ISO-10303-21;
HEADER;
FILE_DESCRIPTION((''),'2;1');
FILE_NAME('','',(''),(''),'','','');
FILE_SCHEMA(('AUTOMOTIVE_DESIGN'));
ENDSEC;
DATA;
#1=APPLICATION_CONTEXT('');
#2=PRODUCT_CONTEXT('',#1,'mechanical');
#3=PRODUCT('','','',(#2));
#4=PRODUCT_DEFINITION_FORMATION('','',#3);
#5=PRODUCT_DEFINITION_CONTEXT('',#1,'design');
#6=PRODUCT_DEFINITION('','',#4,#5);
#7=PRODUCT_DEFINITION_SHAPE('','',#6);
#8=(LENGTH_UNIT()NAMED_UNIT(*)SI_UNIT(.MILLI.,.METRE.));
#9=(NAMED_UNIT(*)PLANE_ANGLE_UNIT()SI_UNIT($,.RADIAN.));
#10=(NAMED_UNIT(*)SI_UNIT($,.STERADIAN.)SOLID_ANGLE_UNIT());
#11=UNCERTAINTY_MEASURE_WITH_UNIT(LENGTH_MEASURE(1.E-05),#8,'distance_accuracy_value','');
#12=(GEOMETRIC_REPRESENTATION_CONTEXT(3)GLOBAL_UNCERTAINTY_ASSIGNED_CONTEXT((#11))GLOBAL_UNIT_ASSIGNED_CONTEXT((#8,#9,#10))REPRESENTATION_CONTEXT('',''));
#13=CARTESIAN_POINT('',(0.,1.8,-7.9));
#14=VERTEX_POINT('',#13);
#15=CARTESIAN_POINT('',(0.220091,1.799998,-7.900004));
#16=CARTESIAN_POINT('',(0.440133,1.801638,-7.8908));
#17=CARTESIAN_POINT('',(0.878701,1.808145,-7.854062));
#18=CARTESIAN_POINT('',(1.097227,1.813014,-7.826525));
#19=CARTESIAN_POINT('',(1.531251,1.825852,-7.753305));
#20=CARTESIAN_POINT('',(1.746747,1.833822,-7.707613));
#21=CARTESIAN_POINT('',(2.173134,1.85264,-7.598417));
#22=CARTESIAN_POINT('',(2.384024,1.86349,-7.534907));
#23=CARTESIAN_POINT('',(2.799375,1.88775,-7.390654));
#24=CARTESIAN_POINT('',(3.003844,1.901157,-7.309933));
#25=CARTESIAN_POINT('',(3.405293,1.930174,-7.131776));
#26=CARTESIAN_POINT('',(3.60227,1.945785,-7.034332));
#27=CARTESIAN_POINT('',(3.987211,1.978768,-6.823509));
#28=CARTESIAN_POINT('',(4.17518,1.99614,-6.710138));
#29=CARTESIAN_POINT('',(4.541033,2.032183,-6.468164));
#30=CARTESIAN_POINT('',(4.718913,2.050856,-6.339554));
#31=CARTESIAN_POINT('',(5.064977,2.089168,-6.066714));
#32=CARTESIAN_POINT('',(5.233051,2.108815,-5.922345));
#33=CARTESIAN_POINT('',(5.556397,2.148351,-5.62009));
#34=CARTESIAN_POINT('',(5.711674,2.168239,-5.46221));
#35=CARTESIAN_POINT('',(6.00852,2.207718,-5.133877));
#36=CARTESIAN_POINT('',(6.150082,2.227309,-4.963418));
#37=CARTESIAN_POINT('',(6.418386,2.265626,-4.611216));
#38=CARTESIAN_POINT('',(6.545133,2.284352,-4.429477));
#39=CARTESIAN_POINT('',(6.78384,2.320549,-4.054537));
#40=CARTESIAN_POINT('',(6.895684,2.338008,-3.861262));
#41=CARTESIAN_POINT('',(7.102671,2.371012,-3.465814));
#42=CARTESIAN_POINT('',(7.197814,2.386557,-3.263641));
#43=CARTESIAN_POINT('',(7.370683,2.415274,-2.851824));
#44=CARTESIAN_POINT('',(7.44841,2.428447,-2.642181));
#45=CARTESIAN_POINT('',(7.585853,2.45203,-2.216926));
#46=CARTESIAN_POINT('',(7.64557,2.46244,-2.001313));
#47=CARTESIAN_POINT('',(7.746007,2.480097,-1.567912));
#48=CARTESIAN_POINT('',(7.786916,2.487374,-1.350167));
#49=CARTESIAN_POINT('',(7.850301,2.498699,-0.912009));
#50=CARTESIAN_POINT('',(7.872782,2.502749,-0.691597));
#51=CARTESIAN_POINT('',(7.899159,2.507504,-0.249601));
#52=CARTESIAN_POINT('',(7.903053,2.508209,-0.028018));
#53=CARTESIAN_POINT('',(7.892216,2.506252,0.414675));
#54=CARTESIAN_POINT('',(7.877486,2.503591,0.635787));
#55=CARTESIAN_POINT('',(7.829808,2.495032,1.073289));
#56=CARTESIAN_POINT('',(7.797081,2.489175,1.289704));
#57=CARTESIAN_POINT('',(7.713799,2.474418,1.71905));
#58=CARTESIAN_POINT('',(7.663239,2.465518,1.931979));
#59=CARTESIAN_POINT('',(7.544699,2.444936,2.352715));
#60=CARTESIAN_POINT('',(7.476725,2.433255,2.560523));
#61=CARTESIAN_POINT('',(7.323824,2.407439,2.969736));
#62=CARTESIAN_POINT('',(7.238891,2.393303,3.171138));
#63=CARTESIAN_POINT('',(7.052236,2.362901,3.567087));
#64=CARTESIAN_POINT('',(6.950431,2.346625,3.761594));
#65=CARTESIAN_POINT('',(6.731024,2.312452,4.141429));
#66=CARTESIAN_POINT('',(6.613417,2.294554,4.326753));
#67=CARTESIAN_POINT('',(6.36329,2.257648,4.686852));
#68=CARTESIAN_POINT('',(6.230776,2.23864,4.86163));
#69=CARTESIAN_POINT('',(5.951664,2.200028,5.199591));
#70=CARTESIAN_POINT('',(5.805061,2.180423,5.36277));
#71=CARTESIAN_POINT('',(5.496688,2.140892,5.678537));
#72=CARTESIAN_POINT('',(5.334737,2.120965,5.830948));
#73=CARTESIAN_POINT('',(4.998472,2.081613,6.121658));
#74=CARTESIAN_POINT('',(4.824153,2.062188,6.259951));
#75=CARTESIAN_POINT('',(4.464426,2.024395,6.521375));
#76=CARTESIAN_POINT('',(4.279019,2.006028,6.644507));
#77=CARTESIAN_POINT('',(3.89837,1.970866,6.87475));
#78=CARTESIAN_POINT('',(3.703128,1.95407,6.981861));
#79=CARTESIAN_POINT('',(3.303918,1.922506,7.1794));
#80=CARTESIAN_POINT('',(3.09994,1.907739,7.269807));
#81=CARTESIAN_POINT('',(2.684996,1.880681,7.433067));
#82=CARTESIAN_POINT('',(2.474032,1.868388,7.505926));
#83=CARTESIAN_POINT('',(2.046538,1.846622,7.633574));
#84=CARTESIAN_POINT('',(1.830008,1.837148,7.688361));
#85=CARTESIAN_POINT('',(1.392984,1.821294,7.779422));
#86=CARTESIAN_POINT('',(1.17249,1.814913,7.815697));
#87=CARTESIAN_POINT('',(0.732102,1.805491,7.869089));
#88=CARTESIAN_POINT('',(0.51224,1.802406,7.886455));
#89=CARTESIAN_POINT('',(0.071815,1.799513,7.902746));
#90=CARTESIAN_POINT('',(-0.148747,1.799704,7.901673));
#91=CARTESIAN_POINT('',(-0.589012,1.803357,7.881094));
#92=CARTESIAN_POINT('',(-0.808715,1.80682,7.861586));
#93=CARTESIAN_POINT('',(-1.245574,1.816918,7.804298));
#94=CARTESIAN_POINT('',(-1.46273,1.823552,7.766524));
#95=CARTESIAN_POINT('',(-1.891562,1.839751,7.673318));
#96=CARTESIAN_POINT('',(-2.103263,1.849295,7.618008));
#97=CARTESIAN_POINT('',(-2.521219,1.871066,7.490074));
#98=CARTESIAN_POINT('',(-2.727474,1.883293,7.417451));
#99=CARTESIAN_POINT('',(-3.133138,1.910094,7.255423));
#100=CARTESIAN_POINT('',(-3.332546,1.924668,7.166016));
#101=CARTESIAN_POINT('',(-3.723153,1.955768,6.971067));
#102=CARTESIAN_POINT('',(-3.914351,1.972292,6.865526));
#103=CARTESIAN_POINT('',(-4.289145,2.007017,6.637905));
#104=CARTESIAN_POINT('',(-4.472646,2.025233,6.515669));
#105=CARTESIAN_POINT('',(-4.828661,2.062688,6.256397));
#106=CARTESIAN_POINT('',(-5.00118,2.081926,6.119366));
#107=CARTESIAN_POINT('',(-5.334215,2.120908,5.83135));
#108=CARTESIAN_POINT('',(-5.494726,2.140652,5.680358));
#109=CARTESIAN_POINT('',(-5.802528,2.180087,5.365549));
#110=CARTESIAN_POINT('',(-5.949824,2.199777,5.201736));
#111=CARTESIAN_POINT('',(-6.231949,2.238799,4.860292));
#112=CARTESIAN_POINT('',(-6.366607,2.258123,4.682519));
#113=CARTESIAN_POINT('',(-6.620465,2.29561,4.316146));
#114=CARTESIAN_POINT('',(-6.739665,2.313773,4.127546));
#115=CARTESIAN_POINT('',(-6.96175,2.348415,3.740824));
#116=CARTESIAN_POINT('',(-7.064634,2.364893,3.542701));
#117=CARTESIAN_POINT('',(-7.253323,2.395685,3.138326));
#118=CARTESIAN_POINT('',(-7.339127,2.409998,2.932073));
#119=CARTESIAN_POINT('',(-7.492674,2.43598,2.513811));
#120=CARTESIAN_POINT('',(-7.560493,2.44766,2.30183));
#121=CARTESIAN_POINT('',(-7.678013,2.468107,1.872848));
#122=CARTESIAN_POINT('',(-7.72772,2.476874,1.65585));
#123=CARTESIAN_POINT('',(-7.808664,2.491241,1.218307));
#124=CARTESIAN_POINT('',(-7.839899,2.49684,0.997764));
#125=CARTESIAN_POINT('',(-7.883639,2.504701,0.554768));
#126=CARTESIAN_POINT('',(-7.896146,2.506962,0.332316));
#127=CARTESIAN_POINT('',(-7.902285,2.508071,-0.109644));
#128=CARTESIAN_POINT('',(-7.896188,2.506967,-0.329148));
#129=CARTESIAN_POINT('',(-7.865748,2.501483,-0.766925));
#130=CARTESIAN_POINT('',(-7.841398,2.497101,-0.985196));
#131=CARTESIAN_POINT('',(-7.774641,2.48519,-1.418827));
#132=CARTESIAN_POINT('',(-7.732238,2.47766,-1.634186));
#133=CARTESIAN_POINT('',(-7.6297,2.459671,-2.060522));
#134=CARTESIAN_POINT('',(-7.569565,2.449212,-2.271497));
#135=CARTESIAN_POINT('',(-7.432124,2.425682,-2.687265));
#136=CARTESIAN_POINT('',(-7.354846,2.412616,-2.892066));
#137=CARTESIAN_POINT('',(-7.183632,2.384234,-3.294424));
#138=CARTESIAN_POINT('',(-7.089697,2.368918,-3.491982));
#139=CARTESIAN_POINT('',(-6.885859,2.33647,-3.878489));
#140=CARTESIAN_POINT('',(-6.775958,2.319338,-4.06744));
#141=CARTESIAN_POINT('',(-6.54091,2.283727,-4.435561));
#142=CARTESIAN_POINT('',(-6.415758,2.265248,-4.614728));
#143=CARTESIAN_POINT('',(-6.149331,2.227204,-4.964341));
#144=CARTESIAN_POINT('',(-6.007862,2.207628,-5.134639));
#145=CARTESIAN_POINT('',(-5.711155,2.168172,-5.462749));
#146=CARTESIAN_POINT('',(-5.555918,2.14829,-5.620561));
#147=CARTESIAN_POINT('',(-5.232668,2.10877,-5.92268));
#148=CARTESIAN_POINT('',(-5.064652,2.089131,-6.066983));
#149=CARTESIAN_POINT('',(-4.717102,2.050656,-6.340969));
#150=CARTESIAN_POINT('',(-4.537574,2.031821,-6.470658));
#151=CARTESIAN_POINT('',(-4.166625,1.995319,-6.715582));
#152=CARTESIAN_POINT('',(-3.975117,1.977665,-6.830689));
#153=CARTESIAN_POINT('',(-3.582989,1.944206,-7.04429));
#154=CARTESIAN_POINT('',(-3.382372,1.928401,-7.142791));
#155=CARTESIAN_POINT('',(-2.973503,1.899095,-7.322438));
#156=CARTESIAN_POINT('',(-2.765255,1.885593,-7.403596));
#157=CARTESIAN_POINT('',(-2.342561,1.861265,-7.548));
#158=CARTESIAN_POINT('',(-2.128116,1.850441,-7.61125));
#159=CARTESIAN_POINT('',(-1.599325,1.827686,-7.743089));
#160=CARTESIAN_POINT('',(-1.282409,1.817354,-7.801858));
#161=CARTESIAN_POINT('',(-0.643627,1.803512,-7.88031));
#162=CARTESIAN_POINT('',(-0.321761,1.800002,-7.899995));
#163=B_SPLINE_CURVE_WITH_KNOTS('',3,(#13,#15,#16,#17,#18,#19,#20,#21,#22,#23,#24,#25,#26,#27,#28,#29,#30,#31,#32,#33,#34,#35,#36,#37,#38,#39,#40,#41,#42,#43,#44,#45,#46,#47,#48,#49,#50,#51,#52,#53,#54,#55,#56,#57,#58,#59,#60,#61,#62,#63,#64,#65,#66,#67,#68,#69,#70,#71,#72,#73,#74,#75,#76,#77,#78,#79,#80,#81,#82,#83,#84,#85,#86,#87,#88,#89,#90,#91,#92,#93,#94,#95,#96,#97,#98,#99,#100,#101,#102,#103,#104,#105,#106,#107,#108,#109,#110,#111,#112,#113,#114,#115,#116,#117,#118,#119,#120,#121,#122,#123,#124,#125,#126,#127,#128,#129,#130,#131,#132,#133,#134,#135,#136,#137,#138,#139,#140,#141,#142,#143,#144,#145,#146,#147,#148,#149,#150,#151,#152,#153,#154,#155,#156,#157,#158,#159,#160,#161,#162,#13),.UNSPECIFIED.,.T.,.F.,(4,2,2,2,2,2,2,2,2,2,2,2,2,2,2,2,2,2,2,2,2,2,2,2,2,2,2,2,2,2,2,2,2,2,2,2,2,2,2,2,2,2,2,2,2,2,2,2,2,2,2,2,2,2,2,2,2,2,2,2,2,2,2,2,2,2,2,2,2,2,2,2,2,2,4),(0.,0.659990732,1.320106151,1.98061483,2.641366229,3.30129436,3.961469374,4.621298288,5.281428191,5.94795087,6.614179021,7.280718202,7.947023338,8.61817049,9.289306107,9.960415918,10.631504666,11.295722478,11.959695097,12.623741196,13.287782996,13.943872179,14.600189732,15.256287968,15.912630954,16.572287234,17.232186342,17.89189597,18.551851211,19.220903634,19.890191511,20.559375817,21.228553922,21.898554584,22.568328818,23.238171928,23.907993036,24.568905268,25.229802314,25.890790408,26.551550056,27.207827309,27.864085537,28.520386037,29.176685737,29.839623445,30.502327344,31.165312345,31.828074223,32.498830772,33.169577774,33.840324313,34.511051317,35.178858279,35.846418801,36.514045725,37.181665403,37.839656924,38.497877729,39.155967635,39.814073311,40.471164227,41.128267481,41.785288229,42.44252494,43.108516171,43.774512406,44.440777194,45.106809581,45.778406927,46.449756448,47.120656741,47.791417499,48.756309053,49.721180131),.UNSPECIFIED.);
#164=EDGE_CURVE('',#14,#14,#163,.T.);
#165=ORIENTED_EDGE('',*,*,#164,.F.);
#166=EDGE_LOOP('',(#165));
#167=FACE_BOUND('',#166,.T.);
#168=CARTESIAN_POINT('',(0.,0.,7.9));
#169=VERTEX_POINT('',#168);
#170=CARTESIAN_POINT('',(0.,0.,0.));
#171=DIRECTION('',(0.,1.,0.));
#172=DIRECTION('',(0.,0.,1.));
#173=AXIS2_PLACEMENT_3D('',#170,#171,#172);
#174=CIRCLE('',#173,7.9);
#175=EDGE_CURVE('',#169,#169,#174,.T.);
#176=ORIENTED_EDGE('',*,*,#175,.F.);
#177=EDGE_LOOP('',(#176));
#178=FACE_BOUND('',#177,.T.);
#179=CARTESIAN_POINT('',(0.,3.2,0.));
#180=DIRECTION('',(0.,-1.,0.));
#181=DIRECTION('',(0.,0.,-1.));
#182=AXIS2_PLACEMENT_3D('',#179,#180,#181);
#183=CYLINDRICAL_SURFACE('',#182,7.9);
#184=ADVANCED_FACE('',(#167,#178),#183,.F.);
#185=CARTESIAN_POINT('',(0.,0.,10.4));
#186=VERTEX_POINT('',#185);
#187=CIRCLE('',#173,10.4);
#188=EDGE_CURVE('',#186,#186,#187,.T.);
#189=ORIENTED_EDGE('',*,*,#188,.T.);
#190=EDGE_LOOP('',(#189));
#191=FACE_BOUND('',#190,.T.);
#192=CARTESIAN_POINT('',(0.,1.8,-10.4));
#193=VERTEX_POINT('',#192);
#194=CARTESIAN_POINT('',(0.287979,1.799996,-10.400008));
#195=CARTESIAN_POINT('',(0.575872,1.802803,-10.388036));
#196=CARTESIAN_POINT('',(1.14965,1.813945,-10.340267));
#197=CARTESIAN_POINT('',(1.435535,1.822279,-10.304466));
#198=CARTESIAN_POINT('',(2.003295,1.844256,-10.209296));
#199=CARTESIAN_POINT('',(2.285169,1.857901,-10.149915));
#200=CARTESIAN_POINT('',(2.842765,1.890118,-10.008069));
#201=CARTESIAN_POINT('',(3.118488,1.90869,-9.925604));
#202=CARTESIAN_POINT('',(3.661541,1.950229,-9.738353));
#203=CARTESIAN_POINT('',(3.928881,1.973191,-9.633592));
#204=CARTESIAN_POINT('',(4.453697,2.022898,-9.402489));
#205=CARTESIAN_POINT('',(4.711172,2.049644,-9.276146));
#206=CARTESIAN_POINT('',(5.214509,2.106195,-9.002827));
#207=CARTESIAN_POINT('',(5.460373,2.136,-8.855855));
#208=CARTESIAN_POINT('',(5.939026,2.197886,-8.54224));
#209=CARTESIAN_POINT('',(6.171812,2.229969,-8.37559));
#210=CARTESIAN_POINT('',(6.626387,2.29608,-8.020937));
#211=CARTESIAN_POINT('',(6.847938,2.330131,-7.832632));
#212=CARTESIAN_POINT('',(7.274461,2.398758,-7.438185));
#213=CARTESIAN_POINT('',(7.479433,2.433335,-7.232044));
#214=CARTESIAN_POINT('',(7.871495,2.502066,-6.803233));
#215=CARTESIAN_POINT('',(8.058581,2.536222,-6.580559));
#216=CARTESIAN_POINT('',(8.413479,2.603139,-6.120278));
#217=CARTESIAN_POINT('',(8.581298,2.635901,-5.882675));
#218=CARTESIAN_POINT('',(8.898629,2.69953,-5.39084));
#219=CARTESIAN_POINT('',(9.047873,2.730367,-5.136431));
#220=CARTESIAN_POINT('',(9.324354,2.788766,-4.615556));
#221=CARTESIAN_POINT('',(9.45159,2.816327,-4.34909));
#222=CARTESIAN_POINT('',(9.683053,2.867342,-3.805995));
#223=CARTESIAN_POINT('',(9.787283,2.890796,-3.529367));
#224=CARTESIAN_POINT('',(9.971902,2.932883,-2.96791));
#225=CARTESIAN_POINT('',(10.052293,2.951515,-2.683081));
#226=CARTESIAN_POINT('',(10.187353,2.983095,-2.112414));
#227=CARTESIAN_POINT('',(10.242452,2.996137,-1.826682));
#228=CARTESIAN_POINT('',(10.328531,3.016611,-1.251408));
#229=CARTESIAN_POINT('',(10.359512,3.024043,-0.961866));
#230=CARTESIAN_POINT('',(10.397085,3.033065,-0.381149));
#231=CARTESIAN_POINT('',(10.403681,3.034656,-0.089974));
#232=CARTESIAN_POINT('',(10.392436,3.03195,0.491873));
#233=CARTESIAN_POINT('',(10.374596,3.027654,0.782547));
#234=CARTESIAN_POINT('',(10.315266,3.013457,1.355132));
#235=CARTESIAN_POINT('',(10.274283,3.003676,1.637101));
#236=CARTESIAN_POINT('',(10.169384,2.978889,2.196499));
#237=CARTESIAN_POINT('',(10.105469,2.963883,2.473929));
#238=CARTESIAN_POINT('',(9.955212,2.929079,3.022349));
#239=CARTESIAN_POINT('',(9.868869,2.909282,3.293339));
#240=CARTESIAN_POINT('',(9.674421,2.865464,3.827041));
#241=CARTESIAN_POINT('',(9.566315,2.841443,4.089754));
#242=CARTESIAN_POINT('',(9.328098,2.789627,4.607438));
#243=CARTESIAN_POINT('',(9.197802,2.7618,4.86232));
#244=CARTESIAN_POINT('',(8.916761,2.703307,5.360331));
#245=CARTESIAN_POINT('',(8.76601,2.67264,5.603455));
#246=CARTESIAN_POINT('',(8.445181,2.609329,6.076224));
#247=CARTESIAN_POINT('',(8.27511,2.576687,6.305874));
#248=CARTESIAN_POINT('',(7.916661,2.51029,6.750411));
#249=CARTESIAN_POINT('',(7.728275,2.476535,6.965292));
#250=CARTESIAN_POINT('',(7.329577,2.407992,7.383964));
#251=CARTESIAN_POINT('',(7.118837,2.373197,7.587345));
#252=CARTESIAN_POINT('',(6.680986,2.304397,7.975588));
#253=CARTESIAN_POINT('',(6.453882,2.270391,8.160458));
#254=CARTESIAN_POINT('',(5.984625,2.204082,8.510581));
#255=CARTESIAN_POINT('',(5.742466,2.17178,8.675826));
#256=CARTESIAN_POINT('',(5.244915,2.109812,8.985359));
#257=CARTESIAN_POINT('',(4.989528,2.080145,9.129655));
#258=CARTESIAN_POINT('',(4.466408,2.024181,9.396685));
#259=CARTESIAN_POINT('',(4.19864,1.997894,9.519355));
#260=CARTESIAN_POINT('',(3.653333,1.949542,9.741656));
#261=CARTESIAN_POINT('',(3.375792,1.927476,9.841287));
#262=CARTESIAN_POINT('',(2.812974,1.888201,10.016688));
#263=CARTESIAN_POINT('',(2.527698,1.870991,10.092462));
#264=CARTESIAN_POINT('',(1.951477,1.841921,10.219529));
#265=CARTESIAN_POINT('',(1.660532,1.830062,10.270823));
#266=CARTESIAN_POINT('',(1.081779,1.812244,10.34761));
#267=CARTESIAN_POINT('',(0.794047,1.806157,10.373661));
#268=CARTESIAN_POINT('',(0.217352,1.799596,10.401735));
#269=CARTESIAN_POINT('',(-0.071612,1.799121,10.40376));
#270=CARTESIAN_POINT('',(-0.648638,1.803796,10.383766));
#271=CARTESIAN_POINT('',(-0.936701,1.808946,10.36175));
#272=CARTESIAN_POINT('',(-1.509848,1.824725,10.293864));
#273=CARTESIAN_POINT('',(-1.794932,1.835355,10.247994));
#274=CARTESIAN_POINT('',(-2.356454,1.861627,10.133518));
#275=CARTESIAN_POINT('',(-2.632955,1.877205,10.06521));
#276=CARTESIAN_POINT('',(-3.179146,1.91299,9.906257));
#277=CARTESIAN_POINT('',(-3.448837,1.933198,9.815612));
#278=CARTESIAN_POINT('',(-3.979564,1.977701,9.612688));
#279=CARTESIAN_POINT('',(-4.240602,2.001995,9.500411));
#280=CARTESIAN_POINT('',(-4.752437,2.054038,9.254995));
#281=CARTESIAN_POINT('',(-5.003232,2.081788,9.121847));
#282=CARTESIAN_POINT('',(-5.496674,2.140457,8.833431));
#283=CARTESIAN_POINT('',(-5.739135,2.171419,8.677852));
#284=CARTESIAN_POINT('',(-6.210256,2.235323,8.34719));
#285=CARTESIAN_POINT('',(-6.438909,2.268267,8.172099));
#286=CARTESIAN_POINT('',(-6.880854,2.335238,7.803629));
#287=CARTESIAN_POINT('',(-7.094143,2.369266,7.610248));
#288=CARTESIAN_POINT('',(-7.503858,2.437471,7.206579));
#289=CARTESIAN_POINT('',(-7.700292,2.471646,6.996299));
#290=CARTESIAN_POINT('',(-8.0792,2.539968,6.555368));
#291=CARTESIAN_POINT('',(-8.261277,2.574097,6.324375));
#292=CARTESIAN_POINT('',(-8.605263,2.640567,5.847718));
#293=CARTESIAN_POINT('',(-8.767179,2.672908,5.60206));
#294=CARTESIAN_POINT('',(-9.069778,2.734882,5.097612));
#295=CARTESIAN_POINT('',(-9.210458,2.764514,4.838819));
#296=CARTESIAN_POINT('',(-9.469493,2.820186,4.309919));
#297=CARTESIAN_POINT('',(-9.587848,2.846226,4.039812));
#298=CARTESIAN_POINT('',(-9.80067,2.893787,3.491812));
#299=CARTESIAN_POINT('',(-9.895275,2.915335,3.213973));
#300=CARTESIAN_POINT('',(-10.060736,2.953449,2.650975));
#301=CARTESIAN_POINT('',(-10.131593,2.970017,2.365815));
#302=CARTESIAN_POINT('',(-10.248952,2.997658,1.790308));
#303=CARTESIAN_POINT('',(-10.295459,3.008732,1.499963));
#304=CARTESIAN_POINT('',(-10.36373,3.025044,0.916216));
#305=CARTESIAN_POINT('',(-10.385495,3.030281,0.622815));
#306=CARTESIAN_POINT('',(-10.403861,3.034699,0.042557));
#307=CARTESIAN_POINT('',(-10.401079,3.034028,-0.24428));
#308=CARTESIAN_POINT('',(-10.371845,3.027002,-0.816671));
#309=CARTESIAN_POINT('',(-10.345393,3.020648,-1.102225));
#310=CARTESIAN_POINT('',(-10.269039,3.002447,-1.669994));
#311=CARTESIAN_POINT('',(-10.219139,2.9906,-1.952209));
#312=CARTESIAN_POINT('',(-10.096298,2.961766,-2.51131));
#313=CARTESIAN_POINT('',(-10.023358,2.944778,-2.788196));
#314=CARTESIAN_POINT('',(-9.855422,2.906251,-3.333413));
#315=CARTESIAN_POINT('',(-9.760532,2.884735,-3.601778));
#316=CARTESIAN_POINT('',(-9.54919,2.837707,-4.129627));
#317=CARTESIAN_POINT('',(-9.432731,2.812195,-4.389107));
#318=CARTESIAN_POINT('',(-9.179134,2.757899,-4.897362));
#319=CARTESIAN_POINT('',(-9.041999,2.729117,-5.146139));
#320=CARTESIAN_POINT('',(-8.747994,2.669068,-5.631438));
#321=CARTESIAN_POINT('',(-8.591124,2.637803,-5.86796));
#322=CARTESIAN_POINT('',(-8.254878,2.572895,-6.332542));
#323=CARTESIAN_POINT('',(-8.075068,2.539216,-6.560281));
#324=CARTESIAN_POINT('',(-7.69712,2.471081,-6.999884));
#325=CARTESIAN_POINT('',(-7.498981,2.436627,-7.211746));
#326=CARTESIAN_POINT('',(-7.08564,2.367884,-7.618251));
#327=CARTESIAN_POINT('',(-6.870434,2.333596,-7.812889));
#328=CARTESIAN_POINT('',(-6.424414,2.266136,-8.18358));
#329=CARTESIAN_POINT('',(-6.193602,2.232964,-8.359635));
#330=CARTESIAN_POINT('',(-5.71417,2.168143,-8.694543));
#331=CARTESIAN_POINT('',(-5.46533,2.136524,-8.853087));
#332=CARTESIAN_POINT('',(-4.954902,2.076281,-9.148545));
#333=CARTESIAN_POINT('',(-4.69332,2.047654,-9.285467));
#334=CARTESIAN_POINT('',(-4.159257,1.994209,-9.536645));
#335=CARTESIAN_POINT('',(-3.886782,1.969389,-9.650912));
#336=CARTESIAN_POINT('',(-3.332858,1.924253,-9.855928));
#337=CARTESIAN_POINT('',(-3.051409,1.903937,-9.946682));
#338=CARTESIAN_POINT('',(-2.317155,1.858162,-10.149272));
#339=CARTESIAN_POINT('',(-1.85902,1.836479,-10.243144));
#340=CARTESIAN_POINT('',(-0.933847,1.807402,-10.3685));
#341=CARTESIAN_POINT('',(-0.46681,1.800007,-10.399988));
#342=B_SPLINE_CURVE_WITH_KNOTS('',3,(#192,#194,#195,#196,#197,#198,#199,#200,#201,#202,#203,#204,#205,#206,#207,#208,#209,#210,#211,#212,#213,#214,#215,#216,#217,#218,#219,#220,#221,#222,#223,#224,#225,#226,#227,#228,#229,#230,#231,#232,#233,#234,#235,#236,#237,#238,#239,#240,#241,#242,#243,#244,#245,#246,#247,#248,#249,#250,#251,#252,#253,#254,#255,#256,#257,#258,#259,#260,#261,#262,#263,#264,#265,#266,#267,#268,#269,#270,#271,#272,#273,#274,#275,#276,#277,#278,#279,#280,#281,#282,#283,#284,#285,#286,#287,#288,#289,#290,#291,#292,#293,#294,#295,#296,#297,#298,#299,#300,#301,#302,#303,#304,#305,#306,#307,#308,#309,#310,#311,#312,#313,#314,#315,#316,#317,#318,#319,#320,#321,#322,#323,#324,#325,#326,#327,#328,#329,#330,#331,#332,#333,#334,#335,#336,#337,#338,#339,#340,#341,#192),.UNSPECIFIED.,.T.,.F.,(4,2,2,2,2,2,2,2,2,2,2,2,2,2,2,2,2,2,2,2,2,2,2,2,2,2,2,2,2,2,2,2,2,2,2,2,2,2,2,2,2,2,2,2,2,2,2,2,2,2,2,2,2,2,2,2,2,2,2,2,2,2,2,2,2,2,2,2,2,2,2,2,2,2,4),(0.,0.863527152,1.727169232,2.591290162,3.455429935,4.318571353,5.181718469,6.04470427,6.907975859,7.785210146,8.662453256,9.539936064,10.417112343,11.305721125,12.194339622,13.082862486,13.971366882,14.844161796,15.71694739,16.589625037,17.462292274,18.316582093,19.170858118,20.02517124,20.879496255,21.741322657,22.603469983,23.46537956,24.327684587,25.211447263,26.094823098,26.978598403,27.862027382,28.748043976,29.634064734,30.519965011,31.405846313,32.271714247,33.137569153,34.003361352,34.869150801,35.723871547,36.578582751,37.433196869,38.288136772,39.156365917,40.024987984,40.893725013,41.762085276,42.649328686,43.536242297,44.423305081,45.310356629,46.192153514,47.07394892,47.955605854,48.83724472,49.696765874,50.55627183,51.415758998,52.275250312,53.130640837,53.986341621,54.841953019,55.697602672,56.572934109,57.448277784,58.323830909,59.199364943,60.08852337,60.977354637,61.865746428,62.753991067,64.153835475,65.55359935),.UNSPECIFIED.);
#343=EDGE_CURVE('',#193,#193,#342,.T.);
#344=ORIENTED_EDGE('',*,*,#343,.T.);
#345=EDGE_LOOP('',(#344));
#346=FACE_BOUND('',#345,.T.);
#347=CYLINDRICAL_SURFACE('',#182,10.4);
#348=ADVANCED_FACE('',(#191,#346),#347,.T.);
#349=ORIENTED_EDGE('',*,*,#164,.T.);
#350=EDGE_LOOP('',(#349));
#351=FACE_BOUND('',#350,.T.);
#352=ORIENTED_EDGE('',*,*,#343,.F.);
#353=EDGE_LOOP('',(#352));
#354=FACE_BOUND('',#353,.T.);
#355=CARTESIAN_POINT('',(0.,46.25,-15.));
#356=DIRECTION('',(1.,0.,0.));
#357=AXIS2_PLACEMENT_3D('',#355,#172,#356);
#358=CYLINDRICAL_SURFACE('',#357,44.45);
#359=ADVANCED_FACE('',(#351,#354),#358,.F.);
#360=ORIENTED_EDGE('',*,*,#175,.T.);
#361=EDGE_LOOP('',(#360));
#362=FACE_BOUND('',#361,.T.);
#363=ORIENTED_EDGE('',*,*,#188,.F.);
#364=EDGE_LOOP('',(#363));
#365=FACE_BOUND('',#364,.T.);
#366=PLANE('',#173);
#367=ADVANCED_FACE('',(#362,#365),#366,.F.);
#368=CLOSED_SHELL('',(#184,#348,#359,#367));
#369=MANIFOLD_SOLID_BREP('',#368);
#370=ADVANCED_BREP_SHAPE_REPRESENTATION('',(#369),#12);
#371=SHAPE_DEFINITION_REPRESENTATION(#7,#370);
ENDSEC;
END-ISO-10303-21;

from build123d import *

# Parameters (mm, degrees)
SKETCH1_R                = 10.4
SKETCH1_R_2              = 7.9
BOSS_EXTRUDE1_DEPTH      = 3.2
SURFACE_EXTRUDE1_1_BACK  = 15
SURFACE_EXTRUDE1_1_DEPTH = 30


with BuildPart() as part:
    # Sketch1 → Boss-Extrude1 (new body)
    with BuildSketch(Plane(origin=(0, 0, 0), x_dir=(1, 0, 0), z_dir=(0, 1, 0))):
        with Locations(Location((0, 0, 0), (0, 0, 270))):
            Circle(SKETCH1_R)
        with Locations(Location((0, 0, 0), (0, 0, 270))):
            Circle(SKETCH1_R_2, mode=Mode.SUBTRACT)
    extrude(amount=BOSS_EXTRUDE1_DEPTH)

    # SurfaceCut5: cut with a surface, the side behind it stays
    # Surface-Extrude1: a surface, the sketch's curves swept straight by 30 mm
    with BuildLine(Plane.XY.offset(-SURFACE_EXTRUDE1_1_BACK), mode=Mode.PRIVATE) as surface_extrude1_1_path:
        CenterArc((0, 46.25), 44.45, 0, 360)
    surface_extrude1_1 = Shell.extrude(surface_extrude1_1_path.wire(), (0 * SURFACE_EXTRUDE1_1_DEPTH, 0 * SURFACE_EXTRUDE1_1_DEPTH, 1 * SURFACE_EXTRUDE1_1_DEPTH))
    split(bisect_by=surface_extrude1_1, keep=Keep.BOTTOM)


solid = part.part
